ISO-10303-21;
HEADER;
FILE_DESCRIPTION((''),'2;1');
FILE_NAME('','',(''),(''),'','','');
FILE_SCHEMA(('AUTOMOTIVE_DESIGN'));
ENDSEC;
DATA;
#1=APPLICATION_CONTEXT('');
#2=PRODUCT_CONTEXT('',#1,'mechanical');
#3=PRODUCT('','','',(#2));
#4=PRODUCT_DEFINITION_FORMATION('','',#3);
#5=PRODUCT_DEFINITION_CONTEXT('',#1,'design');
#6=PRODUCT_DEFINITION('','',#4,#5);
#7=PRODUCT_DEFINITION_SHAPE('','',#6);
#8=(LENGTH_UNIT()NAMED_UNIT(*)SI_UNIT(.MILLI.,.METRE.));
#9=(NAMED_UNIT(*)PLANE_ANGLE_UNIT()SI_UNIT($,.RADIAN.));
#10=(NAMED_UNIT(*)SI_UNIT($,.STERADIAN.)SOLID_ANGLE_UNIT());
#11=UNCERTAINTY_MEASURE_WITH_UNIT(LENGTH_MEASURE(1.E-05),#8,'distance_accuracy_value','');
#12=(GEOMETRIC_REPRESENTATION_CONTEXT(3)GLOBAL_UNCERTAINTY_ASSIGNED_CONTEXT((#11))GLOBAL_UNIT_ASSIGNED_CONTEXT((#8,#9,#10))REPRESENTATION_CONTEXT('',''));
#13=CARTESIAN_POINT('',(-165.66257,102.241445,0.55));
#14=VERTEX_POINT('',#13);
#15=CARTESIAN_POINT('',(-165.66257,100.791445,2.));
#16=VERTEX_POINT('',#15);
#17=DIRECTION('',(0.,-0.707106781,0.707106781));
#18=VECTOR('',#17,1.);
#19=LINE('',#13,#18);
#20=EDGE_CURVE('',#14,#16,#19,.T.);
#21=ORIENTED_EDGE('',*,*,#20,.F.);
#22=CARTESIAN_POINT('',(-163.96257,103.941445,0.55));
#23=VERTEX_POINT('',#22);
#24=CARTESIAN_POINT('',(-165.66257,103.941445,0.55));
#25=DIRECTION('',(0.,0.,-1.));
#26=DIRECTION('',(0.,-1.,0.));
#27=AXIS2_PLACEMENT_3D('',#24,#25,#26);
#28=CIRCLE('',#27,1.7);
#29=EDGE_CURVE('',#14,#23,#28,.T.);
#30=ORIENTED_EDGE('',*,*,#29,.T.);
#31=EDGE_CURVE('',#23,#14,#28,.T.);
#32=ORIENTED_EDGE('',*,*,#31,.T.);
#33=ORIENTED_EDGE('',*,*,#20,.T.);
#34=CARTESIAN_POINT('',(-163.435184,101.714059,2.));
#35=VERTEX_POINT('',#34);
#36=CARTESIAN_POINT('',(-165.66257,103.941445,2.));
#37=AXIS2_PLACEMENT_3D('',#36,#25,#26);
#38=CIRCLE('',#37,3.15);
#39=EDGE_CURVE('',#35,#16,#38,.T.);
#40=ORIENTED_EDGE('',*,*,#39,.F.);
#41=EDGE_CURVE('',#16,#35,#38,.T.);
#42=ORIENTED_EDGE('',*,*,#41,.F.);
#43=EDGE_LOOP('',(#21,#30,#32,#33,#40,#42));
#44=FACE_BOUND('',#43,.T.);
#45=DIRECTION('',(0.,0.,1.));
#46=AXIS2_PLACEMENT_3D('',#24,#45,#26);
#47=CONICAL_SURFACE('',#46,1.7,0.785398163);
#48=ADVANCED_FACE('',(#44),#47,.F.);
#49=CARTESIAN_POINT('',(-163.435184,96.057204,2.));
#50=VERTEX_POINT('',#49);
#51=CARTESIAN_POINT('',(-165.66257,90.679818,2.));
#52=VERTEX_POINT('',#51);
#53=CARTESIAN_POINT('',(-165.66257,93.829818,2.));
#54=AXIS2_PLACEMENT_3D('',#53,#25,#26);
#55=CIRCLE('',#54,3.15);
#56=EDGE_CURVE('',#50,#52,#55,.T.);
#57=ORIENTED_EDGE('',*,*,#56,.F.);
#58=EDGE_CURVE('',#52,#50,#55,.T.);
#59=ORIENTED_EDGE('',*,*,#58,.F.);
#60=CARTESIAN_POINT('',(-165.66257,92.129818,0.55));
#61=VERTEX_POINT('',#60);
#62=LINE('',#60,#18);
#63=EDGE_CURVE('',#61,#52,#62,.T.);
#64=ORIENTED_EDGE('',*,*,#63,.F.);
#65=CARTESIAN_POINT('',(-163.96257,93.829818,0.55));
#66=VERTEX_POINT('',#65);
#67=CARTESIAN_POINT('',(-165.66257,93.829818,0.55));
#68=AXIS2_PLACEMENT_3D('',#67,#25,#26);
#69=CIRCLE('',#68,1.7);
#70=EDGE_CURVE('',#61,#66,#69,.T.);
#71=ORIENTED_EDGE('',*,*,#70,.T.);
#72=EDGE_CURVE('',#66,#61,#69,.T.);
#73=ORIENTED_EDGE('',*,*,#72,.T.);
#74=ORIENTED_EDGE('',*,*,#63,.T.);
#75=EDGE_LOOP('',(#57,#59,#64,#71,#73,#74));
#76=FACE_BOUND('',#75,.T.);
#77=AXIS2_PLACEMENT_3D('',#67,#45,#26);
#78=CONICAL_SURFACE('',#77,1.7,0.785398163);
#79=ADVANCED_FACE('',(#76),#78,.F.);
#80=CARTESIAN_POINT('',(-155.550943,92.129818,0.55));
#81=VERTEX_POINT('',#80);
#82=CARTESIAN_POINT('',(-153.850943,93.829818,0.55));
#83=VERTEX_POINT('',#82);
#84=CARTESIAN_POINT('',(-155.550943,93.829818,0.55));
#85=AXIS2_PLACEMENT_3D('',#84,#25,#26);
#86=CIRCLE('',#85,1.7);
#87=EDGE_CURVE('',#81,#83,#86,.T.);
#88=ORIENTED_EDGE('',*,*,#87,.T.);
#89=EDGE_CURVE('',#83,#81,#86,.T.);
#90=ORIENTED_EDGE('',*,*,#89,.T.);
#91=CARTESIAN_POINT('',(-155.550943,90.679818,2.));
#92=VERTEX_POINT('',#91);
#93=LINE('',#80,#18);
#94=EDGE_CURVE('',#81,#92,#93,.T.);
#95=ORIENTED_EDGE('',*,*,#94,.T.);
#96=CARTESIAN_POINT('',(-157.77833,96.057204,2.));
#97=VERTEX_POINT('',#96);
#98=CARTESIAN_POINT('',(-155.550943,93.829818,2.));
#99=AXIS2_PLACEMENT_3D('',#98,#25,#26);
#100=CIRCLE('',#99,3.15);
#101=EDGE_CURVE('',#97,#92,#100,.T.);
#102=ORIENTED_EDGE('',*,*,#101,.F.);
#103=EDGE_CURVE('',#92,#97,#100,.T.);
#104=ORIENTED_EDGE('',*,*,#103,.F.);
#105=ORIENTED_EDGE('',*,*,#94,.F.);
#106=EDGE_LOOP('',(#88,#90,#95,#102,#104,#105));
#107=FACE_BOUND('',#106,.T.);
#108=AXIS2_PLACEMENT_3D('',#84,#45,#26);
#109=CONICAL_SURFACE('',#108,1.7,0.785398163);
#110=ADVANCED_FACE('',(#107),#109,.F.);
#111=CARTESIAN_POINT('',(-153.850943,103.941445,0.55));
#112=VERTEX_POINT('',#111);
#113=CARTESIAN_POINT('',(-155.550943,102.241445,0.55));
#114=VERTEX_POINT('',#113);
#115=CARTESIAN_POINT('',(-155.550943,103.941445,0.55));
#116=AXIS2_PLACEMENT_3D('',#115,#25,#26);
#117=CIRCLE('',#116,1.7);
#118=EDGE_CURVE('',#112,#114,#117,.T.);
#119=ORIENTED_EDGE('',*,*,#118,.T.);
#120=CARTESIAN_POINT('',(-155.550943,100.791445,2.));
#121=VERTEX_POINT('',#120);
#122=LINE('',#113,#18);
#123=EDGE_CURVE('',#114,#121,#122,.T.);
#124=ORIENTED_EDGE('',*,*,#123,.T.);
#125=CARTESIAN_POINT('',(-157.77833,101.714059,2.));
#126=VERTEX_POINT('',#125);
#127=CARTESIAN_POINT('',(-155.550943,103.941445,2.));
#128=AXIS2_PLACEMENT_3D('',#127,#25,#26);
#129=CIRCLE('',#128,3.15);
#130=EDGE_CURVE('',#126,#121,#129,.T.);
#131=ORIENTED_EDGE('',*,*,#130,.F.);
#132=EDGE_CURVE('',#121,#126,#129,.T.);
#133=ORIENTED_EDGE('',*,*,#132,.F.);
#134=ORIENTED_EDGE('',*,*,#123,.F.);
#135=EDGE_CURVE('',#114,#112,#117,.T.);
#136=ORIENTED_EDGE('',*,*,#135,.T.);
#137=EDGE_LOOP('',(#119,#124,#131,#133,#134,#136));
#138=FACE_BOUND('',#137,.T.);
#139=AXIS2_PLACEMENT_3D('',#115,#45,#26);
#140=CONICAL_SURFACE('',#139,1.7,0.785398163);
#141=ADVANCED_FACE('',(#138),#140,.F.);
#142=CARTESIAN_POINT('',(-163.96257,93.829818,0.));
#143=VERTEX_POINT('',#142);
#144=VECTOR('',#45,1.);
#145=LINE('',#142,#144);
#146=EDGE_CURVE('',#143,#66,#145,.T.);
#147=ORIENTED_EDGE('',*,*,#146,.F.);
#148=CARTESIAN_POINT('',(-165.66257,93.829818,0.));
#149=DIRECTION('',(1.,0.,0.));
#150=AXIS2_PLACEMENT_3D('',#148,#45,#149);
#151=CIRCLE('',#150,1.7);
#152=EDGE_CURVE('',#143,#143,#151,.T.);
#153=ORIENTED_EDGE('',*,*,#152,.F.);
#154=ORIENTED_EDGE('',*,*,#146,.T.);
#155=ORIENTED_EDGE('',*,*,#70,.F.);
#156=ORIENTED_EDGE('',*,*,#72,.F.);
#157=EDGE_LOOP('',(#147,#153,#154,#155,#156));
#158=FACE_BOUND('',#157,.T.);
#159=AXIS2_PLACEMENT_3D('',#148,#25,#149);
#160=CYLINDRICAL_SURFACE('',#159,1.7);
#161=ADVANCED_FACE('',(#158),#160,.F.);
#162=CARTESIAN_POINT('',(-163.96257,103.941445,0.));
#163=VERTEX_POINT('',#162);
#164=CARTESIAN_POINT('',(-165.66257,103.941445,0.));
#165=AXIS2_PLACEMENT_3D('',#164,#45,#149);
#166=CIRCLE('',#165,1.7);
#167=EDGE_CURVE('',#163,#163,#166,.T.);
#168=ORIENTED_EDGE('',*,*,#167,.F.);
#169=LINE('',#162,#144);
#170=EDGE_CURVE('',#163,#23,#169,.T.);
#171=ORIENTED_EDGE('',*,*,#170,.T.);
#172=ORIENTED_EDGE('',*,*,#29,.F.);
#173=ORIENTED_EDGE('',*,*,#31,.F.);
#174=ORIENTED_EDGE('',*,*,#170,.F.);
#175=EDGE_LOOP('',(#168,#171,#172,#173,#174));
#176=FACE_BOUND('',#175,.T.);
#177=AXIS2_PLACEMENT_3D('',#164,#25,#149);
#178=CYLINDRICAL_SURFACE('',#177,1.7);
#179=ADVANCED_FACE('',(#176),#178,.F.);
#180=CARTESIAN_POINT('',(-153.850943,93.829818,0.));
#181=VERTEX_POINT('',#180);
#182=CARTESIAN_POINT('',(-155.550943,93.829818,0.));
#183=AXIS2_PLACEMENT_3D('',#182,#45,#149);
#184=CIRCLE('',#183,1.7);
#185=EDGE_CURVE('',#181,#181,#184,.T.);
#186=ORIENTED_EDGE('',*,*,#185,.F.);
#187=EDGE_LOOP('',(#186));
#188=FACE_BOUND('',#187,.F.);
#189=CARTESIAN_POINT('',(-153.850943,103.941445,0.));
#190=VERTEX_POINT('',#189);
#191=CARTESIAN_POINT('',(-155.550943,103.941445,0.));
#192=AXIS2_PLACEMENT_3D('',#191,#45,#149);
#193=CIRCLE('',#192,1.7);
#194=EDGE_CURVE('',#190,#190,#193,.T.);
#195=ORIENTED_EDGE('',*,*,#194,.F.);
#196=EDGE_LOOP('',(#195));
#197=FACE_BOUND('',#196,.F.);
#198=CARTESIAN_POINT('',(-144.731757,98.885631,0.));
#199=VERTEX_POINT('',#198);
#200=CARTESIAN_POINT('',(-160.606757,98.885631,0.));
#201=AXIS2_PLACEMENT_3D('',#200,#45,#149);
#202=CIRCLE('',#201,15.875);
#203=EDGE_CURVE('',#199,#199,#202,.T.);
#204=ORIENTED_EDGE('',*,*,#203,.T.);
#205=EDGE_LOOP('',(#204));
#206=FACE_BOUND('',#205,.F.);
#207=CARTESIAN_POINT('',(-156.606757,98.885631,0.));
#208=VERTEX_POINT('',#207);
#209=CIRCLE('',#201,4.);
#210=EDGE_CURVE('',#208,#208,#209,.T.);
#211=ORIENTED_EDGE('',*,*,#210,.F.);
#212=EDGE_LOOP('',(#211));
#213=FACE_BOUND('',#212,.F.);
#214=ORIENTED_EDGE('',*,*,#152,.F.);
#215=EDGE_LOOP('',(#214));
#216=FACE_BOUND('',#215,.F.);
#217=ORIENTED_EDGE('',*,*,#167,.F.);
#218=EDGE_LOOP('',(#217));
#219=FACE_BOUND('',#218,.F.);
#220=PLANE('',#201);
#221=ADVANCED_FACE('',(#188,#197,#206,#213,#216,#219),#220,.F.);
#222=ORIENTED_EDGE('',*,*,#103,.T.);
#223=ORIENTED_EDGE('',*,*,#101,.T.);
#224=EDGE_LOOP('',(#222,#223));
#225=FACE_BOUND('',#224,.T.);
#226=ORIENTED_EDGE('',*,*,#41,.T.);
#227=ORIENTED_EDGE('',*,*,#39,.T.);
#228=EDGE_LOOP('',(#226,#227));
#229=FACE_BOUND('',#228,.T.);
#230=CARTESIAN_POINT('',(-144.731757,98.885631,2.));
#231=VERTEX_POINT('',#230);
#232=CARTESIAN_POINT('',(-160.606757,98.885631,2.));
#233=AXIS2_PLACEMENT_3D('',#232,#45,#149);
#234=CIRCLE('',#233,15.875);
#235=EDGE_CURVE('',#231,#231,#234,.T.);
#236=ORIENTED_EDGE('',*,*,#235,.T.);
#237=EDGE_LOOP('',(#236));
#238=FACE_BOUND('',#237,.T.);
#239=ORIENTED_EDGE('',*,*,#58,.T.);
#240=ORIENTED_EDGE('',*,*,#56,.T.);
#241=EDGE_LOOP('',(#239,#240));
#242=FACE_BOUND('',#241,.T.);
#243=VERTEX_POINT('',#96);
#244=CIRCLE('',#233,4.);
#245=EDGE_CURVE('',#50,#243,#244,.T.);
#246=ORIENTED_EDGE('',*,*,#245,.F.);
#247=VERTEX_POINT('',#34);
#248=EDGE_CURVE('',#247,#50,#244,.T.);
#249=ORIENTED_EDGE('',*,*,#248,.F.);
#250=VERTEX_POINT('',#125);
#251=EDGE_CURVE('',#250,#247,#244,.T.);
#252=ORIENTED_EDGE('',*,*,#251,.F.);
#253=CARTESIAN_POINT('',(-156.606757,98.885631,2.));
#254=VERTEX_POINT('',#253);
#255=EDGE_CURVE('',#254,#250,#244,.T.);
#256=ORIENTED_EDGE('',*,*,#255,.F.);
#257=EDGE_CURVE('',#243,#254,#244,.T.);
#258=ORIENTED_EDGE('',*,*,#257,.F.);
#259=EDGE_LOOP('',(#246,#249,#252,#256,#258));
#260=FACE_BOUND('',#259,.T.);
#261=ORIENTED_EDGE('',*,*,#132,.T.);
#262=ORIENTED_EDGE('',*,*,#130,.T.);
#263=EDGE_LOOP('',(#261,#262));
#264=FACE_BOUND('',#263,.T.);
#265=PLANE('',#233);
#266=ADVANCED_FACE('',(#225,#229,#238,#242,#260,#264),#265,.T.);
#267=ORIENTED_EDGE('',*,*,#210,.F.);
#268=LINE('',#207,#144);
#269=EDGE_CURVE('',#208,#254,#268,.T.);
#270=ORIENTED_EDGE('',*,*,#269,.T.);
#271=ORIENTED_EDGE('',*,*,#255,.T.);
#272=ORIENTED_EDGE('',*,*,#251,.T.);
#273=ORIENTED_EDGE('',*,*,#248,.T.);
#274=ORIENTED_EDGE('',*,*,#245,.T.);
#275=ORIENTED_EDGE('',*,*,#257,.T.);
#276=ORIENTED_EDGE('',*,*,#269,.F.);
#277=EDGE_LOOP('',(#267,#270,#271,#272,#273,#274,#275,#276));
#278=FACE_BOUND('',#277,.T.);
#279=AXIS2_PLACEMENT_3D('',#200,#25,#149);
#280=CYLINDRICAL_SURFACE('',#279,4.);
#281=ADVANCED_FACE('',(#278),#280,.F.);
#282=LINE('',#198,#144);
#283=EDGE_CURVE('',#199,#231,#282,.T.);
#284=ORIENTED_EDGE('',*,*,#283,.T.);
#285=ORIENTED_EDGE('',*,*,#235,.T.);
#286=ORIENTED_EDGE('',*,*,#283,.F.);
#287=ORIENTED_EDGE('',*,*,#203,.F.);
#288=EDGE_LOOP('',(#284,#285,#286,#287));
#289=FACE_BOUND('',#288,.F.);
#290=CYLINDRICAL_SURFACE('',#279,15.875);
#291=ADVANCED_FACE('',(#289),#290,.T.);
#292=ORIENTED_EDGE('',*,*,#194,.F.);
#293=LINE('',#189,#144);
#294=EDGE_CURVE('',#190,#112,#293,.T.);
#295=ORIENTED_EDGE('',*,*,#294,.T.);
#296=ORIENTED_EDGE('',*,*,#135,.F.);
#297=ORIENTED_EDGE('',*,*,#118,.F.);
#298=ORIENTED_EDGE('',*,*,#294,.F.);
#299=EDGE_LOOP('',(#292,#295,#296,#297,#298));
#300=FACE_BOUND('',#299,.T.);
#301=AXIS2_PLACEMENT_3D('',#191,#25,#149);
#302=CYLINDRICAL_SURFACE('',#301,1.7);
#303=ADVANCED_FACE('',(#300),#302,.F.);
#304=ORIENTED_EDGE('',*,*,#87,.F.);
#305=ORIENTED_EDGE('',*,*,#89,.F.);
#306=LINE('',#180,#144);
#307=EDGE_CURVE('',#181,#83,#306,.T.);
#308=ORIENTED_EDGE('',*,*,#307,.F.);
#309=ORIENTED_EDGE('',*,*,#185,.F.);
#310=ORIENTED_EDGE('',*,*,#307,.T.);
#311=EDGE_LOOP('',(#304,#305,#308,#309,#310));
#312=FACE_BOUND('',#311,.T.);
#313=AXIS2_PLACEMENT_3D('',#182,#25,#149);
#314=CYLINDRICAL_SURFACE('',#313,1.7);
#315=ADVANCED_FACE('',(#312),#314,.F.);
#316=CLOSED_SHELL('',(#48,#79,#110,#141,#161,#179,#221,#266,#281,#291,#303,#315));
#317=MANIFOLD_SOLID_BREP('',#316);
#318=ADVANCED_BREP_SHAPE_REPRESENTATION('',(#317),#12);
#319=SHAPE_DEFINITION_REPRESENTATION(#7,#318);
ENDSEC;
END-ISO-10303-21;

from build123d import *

# Parameters (mm, degrees)
SKETCH2_R                                      = 15.875
SKETCH2_R_2                                    = 1.7
SKETCH2_R_3                                    = 4
BOSS_EXTRUDE1_DEPTH                            = 2
CSK_FOR_M3_FLAT_HEAD_MACHINE_SCREW2_AT_2_COUNT = 2
CSK_FOR_M3_FLAT_HEAD_MACHINE_SCREW2_AT_2_PITCH = 10.111626971
CSK_FOR_M3_FLAT_HEAD_MACHINE_SCREW2_AT_3_COUNT = 2
CSK_FOR_M3_FLAT_HEAD_MACHINE_SCREW2_AT_3_PITCH = 14.3
CSK_FOR_M3_FLAT_HEAD_MACHINE_SCREW2_AT_4_COUNT = 2
CSK_FOR_M3_FLAT_HEAD_MACHINE_SCREW2_AT_4_PITCH = 10.111626971


with BuildPart() as part:
    # Sketch2 → Boss-Extrude1 (new body)
    with BuildSketch(Plane.XY):
        with Locations((-160.606756626, 98.885631483)):
            Circle(SKETCH2_R)
        with Locations((-165.662570112, 103.941444968)):
            Circle(SKETCH2_R_2, mode=Mode.SUBTRACT)
        with Locations((-155.550943141, 103.941444968)):
            Circle(SKETCH2_R_2, mode=Mode.SUBTRACT)
        with Locations((-155.550943141, 93.829817997)):
            Circle(SKETCH2_R_2, mode=Mode.SUBTRACT)
        with Locations((-165.662570112, 93.829817997)):
            Circle(SKETCH2_R_2, mode=Mode.SUBTRACT)
        with Locations((-160.606756626, 98.885631483)):
            Circle(SKETCH2_R_3, mode=Mode.SUBTRACT)
    extrude(amount=BOSS_EXTRUDE1_DEPTH)

    # Sketch4 → CSK for M3 Flat Head Machine Screw2 (revolve, cut)
    with BuildSketch(Plane(origin=(-165.662570112, 103.941444968, 2), x_dir=(0, -1, 0), z_dir=(1, 0, 0))):
        Polygon((0, 0), (0, 2), (1.7, 2), (1.7, 1.45), (3.15, 0), align=None)
    csk_for_m3_flat_head_machine_screw2 = revolve(axis=Axis((-165.662570112, 103.941444968, 8.35), (0, 0, -1)), mode=Mode.SUBTRACT)

    # CSK for M3 Flat Head Machine Screw2 at 2: CSK for M3 Flat Head Machine Screw2 ×2
    with Locations(*[(i * CSK_FOR_M3_FLAT_HEAD_MACHINE_SCREW2_AT_2_PITCH, 0, 0) for i in range(1, CSK_FOR_M3_FLAT_HEAD_MACHINE_SCREW2_AT_2_COUNT)]):
        add(csk_for_m3_flat_head_machine_screw2, mode=Mode.SUBTRACT)

    # CSK for M3 Flat Head Machine Screw2 at 3: CSK for M3 Flat Head Machine Screw2 ×2
    with Locations(*[Vector(0.707106781, -0.707106781, 0) * (i * CSK_FOR_M3_FLAT_HEAD_MACHINE_SCREW2_AT_3_PITCH) for i in range(1, CSK_FOR_M3_FLAT_HEAD_MACHINE_SCREW2_AT_3_COUNT)]):
        add(csk_for_m3_flat_head_machine_screw2, mode=Mode.SUBTRACT)

    # CSK for M3 Flat Head Machine Screw2 at 4: CSK for M3 Flat Head Machine Screw2 ×2
    with Locations(*[(0, -i * CSK_FOR_M3_FLAT_HEAD_MACHINE_SCREW2_AT_4_PITCH, 0) for i in range(1, CSK_FOR_M3_FLAT_HEAD_MACHINE_SCREW2_AT_4_COUNT)]):
        add(csk_for_m3_flat_head_machine_screw2, mode=Mode.SUBTRACT)


solid = part.part
